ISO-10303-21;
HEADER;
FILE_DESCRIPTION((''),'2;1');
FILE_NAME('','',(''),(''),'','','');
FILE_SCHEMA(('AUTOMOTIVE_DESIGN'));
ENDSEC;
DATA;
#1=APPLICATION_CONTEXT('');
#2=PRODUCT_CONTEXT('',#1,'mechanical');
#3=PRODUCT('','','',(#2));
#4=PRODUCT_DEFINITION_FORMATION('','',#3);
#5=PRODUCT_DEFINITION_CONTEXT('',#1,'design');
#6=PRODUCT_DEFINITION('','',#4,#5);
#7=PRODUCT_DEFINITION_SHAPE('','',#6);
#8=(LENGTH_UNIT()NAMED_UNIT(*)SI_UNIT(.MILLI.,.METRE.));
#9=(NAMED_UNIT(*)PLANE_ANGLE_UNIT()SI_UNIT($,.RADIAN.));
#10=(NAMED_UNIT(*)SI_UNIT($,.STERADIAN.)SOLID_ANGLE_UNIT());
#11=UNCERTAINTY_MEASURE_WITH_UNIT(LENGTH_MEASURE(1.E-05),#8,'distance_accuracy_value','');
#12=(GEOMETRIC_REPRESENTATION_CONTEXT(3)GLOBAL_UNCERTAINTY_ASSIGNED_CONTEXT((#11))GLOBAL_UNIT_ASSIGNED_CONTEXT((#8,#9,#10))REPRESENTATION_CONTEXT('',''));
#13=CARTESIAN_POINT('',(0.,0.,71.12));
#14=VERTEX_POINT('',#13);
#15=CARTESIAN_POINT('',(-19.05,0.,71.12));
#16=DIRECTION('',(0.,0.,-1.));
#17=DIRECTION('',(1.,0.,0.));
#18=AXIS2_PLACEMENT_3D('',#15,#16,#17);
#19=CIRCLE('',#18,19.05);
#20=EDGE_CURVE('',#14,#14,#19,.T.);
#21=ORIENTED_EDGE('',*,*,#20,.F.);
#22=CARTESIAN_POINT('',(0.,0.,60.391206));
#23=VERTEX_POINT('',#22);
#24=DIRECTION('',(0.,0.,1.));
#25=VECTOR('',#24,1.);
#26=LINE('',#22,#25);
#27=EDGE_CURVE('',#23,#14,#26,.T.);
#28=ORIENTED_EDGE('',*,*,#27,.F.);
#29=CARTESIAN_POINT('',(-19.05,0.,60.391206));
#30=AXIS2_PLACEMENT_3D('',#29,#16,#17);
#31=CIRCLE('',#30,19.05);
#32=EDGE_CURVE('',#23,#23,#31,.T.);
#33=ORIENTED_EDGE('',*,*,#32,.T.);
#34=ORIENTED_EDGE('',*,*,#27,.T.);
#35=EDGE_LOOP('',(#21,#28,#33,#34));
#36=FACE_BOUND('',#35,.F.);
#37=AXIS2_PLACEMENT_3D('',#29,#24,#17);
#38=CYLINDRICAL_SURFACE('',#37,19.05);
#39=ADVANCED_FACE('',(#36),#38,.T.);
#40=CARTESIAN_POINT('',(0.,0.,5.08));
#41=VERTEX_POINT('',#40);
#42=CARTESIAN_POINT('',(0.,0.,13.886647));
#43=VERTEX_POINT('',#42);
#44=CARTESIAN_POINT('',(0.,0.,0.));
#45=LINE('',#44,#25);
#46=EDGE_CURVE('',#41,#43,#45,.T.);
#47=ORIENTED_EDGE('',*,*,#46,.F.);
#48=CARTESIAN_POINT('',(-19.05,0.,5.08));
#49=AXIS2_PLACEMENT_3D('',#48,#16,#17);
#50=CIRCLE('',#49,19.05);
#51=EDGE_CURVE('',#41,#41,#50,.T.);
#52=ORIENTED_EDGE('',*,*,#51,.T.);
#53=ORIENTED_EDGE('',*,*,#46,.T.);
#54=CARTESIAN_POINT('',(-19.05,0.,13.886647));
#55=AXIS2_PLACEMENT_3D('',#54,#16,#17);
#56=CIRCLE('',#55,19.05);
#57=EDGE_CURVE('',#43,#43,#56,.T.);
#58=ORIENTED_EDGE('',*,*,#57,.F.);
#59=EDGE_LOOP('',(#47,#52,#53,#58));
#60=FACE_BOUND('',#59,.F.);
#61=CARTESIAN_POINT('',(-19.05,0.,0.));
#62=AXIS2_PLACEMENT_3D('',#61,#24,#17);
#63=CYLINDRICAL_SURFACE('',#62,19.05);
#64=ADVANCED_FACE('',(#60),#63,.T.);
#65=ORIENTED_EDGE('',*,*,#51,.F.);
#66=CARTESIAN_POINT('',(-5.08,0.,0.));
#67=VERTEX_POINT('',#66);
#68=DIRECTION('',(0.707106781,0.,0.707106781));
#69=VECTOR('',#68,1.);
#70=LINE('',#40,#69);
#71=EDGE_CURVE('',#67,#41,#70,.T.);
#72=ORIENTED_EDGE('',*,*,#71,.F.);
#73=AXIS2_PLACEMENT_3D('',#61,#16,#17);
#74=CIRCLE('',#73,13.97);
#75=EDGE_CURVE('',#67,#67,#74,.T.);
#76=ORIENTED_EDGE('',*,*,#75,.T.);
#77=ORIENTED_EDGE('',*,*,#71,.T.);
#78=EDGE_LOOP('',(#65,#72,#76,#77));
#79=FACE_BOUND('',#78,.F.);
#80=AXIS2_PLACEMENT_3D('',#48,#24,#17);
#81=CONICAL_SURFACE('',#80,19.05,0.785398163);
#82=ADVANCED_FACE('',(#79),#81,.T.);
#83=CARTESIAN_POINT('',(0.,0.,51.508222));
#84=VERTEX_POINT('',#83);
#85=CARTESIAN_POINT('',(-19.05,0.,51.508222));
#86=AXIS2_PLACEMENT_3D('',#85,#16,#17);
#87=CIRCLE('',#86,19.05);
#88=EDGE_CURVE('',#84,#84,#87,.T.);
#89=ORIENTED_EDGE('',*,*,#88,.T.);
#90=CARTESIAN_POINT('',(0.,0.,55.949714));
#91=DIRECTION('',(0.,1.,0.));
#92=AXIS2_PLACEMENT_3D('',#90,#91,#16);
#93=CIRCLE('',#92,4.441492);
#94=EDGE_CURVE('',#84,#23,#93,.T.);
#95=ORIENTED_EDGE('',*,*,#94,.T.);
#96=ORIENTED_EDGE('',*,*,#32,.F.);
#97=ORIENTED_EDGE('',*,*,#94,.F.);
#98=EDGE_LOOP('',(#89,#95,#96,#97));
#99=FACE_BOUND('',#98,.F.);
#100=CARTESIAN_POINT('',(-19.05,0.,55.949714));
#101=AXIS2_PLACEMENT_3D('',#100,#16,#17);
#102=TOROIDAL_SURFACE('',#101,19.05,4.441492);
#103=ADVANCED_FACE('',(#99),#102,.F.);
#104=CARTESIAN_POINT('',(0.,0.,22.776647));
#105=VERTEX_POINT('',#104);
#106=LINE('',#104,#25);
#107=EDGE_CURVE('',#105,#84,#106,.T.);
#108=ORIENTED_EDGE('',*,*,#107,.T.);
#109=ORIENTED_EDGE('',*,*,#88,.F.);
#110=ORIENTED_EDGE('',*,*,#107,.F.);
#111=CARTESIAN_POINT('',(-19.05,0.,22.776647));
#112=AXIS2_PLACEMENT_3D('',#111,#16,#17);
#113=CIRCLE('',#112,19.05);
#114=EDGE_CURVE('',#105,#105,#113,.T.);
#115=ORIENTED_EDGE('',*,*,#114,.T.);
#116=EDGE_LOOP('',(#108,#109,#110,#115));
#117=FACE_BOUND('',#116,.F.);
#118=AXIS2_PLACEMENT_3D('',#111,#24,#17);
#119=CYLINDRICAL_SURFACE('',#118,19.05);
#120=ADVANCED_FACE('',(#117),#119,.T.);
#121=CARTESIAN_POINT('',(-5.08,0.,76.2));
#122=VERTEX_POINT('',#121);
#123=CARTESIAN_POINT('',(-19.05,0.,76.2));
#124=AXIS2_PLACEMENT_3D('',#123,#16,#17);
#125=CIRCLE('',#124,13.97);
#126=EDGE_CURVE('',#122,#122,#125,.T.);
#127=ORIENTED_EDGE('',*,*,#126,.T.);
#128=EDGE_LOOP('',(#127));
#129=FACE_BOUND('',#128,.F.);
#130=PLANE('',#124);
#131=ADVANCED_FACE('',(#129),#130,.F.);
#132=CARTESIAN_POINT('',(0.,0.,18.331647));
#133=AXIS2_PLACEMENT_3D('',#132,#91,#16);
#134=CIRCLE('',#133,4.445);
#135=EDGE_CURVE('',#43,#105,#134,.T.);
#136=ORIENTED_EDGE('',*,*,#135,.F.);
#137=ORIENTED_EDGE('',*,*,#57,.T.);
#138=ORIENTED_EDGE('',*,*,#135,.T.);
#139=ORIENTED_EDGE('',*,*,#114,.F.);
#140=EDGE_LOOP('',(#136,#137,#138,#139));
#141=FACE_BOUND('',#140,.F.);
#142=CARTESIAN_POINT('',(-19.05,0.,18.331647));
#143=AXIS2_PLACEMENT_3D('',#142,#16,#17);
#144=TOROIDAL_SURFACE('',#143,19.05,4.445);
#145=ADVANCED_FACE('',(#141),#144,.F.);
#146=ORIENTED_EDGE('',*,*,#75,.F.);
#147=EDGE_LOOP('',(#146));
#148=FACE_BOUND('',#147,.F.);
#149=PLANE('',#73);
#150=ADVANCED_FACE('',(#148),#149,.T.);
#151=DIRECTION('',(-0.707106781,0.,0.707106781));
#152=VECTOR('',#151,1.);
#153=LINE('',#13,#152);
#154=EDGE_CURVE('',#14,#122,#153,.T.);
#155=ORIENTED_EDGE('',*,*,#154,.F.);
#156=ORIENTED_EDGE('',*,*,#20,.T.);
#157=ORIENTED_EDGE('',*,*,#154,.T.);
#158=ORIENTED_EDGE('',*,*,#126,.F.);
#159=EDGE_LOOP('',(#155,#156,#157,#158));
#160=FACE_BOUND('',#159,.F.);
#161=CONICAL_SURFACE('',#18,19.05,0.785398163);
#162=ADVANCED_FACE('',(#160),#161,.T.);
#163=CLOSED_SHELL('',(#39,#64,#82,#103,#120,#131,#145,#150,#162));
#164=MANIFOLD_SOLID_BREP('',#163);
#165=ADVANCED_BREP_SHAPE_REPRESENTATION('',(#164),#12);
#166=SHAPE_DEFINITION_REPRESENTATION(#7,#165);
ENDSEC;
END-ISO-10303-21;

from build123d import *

# Parameters (mm, degrees)
F2_SIZE = 5.08


with BuildPart() as f1:
    # F0 (on Front) → F1 (revolve)
    with BuildSketch(Plane.XZ):
        with BuildLine():
            Line((-19.05, 0), (0, 0))
            Line((0, 0), (0, 13.886647))
            ThreePointArc((0, 13.886647), (-4.445, 18.331647), (0, 22.776647))
            Line((0, 22.776647), (0, 51.508222))
            ThreePointArc((0, 51.508222), (-4.441492, 55.949714), (0, 60.391206))
            Line((0, 60.391206), (0, 76.2))
            Line((0, 76.2), (-19.05, 76.2))
            Line((-19.05, 76.2), (-19.05, 0))
        make_face()
    revolve(axis=Axis((-19.05, 0, 38.1), (0, 0, -1)))

    # F2
    f2_edges = [f1.edges().sort_by_distance(p)[0] for p in [
        (-38.1, 0, 76.2),
        (-38.1, 0, 0),
    ]]
    chamfer(f2_edges, length=F2_SIZE)


solid = f1.part
